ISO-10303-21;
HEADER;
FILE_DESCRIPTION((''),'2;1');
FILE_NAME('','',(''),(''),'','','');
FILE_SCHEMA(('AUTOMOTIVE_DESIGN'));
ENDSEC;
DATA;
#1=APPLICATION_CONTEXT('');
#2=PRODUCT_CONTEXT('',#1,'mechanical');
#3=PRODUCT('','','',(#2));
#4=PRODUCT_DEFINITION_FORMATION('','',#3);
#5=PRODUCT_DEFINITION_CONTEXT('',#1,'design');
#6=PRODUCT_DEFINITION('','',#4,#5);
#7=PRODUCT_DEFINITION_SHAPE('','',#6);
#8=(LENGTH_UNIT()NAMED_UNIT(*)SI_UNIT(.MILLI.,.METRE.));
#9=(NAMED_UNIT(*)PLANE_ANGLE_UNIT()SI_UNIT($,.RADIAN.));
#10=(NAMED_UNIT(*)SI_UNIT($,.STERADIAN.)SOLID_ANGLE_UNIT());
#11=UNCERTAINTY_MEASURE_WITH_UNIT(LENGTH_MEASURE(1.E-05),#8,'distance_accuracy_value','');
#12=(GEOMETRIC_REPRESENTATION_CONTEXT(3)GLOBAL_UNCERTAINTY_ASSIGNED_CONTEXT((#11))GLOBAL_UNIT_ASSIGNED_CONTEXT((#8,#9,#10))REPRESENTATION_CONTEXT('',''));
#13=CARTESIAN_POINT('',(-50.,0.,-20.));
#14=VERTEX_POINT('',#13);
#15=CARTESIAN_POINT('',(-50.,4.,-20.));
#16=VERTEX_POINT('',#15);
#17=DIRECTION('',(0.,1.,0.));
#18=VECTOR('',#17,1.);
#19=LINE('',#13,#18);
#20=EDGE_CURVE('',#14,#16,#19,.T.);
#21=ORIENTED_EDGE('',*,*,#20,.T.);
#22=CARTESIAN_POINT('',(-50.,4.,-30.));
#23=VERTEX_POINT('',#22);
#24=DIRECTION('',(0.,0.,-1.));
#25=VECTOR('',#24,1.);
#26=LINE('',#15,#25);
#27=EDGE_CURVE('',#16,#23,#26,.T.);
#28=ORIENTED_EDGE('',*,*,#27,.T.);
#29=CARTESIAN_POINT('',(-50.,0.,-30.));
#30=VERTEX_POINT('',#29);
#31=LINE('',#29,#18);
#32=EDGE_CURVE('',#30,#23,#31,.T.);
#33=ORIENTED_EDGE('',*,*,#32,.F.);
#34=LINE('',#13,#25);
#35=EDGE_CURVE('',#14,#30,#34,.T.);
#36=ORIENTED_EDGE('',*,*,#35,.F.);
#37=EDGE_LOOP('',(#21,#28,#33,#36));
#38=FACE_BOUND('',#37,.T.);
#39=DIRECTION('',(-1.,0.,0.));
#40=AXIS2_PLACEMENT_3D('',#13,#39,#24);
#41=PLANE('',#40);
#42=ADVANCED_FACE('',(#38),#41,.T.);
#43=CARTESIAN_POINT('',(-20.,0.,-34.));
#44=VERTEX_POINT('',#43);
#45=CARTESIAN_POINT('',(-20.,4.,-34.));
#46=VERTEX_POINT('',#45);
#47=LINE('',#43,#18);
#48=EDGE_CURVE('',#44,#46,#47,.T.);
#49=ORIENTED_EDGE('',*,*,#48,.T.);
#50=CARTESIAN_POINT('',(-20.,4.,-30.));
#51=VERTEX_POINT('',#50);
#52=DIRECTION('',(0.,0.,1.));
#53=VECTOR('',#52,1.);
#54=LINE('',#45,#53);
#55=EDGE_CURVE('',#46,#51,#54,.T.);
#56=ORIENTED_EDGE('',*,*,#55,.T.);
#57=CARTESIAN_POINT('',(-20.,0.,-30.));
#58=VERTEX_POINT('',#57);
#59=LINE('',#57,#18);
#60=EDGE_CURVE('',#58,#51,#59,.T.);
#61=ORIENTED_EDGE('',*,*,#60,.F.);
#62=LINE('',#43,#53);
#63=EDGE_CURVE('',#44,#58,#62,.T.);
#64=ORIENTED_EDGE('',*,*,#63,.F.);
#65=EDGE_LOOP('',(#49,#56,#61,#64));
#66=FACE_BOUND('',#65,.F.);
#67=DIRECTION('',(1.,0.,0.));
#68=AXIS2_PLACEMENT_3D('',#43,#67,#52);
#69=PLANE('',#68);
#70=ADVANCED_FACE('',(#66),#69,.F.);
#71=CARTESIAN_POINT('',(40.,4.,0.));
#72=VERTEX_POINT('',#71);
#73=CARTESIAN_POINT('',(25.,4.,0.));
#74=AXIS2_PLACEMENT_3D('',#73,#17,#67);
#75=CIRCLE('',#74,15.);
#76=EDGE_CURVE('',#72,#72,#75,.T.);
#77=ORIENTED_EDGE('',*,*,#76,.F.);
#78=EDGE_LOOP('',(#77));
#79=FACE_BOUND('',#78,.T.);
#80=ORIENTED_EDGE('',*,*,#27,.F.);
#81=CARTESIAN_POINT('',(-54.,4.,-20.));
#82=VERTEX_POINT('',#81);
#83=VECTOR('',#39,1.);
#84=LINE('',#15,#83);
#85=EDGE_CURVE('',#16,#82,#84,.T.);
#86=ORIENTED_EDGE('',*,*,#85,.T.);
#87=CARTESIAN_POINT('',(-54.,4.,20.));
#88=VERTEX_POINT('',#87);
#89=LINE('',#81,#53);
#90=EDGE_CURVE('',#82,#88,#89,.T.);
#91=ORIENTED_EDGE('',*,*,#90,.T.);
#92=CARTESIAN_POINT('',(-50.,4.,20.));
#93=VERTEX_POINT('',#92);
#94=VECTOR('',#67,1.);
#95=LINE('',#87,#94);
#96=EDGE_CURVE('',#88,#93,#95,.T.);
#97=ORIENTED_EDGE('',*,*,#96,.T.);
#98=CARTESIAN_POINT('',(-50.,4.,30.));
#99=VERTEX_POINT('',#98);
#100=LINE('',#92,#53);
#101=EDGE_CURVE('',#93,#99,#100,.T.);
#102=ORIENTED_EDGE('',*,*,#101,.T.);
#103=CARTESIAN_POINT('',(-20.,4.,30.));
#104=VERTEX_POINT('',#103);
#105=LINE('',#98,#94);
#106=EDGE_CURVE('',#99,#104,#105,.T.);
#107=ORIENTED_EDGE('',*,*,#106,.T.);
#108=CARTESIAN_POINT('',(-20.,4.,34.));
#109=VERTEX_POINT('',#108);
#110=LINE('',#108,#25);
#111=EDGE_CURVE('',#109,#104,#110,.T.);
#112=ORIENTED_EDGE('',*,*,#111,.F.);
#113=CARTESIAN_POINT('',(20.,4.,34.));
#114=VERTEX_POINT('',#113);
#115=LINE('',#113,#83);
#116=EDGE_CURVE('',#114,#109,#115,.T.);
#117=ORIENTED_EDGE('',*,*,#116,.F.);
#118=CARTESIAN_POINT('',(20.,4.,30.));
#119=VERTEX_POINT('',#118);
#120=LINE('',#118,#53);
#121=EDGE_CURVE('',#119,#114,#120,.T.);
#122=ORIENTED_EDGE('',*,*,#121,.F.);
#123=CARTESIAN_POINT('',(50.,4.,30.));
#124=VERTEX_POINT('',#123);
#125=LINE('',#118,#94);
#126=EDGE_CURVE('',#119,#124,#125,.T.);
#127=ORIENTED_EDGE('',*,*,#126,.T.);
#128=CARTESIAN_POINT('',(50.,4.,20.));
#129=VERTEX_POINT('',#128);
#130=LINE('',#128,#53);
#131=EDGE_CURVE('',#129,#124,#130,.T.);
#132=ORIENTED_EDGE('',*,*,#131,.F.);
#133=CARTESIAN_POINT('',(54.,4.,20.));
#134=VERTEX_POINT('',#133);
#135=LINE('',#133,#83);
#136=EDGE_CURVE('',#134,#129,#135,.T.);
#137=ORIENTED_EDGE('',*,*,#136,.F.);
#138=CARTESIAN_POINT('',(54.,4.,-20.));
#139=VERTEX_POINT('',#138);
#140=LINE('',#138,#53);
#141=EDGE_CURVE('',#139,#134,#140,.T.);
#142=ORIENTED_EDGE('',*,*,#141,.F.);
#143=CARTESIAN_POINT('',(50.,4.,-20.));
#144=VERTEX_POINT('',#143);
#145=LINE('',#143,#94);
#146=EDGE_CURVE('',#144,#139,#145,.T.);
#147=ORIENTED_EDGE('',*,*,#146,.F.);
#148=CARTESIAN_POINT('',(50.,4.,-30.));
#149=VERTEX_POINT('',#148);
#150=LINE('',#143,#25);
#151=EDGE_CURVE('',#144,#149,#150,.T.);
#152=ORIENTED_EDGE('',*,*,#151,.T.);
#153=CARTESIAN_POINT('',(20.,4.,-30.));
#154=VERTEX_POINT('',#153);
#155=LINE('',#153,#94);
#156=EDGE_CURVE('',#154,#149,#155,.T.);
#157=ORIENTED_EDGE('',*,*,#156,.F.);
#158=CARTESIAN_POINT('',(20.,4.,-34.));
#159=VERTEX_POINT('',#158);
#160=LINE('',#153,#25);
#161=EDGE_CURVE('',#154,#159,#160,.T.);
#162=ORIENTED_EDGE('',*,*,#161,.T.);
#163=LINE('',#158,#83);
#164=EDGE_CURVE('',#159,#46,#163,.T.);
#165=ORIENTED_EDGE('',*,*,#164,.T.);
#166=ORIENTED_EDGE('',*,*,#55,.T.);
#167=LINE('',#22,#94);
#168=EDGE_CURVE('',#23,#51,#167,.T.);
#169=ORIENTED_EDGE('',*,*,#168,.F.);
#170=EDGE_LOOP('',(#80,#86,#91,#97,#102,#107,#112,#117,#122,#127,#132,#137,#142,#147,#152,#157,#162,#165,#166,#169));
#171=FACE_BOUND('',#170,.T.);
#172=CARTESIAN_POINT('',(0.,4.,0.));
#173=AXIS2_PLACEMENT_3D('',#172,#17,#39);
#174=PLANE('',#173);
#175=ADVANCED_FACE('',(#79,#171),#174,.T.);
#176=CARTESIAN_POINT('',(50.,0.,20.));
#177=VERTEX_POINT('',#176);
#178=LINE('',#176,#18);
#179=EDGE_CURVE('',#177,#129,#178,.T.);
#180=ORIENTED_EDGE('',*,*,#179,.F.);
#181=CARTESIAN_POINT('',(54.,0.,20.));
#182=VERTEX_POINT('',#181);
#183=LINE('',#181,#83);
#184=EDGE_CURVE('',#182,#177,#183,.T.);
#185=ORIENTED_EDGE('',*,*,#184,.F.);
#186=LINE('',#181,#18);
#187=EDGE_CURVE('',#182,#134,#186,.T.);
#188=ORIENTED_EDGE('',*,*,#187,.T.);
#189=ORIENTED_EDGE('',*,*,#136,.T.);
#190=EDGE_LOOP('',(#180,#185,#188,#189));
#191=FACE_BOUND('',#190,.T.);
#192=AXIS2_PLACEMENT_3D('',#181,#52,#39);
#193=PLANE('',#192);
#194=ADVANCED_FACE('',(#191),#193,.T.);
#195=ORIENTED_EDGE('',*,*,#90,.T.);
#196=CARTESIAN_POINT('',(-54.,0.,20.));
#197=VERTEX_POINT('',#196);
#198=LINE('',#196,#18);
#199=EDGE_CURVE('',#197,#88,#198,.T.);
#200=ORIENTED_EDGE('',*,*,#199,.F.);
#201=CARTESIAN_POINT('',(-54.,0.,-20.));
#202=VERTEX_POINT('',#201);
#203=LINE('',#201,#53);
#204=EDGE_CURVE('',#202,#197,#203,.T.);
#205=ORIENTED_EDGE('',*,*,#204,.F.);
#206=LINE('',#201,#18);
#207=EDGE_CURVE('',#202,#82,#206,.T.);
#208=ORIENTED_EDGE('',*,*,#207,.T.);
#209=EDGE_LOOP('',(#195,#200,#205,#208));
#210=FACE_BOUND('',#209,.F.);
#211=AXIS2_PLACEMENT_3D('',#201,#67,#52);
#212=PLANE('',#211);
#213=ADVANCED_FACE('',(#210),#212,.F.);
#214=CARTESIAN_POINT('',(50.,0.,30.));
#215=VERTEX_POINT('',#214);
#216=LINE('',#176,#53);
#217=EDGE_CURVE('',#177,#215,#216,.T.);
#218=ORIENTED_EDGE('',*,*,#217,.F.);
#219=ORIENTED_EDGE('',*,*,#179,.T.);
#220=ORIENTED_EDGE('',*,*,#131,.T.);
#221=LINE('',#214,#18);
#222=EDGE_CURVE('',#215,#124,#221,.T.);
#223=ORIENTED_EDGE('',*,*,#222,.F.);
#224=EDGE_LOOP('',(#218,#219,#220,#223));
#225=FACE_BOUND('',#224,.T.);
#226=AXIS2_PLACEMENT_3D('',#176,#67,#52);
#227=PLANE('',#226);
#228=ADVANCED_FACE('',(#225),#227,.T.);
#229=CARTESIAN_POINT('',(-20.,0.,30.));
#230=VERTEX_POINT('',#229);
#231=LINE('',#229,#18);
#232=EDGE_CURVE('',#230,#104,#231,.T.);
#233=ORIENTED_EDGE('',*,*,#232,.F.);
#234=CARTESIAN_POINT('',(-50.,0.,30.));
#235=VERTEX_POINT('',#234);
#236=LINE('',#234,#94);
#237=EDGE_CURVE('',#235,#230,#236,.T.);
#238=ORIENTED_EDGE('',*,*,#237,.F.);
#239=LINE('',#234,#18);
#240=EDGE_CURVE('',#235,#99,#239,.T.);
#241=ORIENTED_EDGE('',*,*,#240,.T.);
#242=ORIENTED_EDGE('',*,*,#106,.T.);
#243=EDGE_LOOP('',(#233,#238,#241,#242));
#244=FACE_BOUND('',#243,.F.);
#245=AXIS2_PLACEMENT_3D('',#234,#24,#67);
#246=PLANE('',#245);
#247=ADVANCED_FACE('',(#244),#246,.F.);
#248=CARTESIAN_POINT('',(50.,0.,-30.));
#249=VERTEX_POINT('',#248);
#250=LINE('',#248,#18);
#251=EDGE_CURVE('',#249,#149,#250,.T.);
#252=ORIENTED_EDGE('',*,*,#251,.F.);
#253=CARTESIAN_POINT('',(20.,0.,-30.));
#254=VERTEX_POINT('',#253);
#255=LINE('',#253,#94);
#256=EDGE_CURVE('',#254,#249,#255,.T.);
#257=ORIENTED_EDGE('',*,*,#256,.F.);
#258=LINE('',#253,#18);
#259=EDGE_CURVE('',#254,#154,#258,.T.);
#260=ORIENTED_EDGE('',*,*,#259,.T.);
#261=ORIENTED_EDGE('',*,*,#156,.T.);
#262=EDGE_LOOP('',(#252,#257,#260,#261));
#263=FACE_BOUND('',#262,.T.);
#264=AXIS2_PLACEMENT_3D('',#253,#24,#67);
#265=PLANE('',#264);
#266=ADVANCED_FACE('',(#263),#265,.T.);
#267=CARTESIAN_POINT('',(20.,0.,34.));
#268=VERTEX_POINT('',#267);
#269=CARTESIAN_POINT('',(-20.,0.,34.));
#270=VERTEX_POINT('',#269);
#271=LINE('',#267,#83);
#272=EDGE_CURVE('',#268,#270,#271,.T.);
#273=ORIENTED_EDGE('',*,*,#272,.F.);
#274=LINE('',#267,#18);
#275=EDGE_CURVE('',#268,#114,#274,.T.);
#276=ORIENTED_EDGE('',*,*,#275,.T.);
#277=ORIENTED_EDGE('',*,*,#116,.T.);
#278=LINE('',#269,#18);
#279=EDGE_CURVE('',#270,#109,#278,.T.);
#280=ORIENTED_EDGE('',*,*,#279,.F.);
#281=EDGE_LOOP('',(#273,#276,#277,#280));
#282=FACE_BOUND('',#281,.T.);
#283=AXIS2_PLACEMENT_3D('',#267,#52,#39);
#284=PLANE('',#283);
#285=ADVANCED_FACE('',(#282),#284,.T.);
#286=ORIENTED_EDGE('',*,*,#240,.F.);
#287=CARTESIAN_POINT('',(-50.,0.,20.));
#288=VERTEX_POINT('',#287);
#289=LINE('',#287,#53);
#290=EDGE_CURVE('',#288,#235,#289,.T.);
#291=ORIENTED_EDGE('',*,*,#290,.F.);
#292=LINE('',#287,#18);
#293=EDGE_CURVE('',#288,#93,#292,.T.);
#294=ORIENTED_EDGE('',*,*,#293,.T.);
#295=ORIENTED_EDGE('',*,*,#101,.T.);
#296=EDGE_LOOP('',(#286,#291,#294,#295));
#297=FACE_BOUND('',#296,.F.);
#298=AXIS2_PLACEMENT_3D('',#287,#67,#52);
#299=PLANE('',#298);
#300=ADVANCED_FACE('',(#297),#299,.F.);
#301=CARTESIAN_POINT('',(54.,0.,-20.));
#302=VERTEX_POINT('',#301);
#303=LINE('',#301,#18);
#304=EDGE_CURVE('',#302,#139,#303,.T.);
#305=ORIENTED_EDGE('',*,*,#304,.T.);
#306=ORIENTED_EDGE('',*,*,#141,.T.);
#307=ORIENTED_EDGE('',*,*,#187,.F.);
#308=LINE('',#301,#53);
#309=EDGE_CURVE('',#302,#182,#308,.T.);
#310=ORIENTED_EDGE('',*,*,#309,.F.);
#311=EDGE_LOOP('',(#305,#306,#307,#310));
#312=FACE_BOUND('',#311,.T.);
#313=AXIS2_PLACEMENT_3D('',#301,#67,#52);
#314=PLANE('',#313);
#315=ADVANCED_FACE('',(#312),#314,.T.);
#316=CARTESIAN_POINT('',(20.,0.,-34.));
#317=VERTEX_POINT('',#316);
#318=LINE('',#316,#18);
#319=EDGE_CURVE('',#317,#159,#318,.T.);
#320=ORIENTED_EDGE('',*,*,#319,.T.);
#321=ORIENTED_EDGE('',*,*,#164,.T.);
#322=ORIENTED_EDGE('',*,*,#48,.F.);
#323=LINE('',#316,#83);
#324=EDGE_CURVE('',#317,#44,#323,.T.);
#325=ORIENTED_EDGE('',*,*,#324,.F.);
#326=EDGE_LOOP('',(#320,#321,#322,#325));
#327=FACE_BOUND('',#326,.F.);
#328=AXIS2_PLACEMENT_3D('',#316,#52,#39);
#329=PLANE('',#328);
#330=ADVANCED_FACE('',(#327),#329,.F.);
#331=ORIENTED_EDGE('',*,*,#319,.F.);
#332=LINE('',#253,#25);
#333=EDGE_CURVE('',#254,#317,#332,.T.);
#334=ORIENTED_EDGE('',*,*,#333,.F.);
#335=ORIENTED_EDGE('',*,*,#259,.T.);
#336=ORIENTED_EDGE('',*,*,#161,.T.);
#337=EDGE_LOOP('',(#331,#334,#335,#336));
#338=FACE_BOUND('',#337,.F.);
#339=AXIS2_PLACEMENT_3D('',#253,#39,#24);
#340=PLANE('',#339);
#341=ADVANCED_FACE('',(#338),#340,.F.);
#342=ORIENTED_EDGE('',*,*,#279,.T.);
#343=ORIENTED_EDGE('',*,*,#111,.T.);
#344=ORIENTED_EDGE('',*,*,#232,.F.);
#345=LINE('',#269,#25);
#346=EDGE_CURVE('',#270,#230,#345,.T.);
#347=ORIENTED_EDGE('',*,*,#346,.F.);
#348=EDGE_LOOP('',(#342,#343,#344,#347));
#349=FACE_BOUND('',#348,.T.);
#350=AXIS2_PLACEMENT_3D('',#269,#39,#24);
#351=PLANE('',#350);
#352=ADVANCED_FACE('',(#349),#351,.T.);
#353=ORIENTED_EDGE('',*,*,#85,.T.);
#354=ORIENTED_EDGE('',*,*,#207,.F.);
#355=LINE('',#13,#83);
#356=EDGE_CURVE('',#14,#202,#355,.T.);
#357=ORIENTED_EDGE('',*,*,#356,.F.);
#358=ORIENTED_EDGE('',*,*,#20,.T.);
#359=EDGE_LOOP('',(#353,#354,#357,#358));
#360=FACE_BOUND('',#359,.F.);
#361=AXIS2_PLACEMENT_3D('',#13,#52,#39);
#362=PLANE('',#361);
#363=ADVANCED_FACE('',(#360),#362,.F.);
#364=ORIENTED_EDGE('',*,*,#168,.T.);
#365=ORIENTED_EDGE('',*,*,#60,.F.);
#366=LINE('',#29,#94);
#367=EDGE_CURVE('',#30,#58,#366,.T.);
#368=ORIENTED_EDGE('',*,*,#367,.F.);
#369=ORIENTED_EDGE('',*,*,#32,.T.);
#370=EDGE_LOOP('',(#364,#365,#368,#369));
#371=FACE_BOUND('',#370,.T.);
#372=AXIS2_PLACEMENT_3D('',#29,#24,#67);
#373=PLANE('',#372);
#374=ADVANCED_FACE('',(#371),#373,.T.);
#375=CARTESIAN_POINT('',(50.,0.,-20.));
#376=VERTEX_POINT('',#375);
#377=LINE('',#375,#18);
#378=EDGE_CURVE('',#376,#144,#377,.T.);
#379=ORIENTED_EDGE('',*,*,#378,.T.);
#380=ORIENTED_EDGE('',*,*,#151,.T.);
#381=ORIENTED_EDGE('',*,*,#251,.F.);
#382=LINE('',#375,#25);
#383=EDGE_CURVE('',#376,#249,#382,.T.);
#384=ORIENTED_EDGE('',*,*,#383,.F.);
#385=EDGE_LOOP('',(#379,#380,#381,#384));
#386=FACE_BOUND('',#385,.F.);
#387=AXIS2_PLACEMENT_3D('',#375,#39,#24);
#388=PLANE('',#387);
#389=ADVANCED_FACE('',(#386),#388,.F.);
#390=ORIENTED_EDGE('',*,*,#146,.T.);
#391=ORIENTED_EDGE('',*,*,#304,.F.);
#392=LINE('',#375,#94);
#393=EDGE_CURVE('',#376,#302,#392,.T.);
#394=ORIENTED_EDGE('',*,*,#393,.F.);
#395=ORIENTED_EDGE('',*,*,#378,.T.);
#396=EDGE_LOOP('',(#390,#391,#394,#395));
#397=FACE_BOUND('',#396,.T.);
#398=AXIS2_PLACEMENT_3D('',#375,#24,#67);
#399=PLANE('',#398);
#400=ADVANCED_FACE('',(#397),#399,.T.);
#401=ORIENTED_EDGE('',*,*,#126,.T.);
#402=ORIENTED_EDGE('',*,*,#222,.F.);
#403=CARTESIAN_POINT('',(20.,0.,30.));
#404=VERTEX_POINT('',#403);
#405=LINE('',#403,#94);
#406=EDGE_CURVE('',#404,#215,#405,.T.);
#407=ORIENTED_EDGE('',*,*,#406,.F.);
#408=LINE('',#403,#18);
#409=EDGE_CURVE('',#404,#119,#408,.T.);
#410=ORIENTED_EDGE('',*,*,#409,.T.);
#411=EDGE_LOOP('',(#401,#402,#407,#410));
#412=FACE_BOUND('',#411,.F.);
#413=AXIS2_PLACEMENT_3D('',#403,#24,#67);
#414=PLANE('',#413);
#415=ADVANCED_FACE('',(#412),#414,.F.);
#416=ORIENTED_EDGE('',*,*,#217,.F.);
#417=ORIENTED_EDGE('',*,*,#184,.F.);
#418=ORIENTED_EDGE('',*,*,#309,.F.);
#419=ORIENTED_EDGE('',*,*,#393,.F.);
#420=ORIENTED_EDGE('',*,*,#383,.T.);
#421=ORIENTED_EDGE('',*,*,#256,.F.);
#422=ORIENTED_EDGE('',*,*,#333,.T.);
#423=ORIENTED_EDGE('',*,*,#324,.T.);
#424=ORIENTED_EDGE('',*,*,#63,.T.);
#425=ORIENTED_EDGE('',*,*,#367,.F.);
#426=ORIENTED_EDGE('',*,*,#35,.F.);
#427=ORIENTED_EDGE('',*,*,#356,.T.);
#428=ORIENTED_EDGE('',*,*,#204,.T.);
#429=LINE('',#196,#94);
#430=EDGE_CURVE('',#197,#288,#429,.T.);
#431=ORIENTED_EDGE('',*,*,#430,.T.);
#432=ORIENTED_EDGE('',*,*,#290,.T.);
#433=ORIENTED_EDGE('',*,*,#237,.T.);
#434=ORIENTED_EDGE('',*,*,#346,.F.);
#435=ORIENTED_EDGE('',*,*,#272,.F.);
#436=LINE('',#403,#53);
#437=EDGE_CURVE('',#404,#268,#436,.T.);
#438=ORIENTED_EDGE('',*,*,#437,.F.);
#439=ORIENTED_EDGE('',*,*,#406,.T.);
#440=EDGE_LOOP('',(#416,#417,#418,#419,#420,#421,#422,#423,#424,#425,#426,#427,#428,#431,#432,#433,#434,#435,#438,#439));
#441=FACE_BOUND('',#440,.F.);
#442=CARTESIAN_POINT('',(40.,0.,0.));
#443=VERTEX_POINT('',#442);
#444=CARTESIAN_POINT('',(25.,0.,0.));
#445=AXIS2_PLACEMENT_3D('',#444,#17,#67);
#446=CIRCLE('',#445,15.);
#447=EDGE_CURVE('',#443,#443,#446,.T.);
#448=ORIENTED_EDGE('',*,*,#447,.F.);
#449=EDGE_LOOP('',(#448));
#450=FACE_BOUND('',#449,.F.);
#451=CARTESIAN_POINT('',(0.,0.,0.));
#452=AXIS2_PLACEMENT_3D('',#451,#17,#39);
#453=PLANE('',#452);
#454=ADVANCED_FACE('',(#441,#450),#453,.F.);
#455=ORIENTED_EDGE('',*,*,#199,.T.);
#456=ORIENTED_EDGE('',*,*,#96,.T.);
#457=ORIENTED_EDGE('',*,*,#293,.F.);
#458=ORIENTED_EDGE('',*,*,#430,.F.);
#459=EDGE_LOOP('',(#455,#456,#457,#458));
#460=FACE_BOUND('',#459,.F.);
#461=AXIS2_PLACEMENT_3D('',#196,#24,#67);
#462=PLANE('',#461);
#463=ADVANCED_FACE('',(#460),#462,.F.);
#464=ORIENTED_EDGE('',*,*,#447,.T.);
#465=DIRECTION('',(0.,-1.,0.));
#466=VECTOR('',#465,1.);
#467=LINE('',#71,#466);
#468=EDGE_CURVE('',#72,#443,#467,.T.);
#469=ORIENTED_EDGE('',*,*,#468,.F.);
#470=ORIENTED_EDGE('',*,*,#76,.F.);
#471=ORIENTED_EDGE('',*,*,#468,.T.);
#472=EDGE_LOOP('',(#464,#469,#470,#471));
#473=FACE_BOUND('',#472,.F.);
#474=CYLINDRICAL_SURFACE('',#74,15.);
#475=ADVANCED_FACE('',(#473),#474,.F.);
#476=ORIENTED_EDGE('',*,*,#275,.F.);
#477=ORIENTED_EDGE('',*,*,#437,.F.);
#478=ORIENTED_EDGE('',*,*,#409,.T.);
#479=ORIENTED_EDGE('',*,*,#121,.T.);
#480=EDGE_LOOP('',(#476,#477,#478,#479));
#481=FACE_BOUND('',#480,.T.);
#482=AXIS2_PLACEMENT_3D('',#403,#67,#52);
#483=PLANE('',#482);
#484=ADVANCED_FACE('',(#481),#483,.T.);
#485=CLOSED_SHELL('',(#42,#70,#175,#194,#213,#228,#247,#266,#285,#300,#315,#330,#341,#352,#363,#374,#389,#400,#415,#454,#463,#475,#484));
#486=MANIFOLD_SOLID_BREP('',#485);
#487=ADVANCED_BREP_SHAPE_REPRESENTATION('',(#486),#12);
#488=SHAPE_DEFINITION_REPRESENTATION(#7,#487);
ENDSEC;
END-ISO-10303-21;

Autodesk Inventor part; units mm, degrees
ref_plane "YZ Plane" through (0, 0, 0) normal (1, 0, 0) x (0, 1, 0)
ref_plane "XZ Plane" through (0, 0, 0) normal (0, 1, 0) x (-1, 0, 0)
ref_plane "XY Plane" through (0, 0, 0) normal (0, 0, 1) x (1, 0, 0)
sketch "Sketch1" plane through (0, 0, 0) normal (0, 1, 0) x (-1, 0, 0)
  line L0 (50, 30) -> (-50, 30) construction
  line L1 (-50, 30) -> (-50, -30) construction
  line L2 (-50, -30) -> (50, -30) construction
  line L3 (50, -30) -> (50, 30) construction
  line L4 (20, 30) -> (-20, 30) construction
  line L5 (-20, 30) -> (-20, 34)
  line L6 (-20, 34) -> (20, 34)
  line L7 (20, 34) -> (20, 30)
  line L8 (20, -30) -> (-20, -30) construction
  line L9 (-20, -30) -> (-20, -34)
  line L10 (-20, -34) -> (20, -34)
  line L11 (20, -34) -> (20, -30)
  line L12 (-50, -20) -> (-54, -20)
  line L13 (-54, -20) -> (-54, 20)
  line L14 (-54, 20) -> (-50, 20)
  line L15 (-50, 20) -> (-50, -20) construction
  line L16 (50, -20) -> (54, -20)
  line L17 (54, -20) -> (54, 20)
  line L18 (54, 20) -> (50, 20)
  line L19 (50, 20) -> (50, -20) construction
  line L20 (50, -20) -> (50, -30)
  line L21 (50, -30) -> (20, -30)
  line L22 (-20, -30) -> (-50, -30)
  line L23 (-50, -20) -> (-50, -30)
  line L24 (-50, 20) -> (-50, 30)
  line L25 (-20, 30) -> (-50, 30)
  line L26 (50, 20) -> (50, 30)
  line L27 (50, 30) -> (20, 30)
  point P0 (0, 0)
  point P1 (52, -20)
  point P2 (-52, 20)
  point P3 (52, 20)
  point P4 (0, -30)
  point P5 (0, 30)
  point P6 (50, 0)
  point P7 (-50, 0)
  point P8 (0, -30)
  point P9 (50, 0)
  dimension "d0" = 40
  dimension "d1" = 4
  dimension "d2" = 100
  dimension "d3" = 60
extrude "Extrusion1" add sketch "Sketch1" along normal blind 4
sketch "Sketch2" plane through (0, 4, 0) normal (0, 1, 0) x (1, 0, 0)
  circle A0 centre (25, 0) radius 15
  line L0 (50, 20) -> (50, 30) projected
  point P0 (0, 0)
  dimension "d6" = 30
  dimension "d7" = 10
extrude "Extrusion2" cut sketch "Sketch2" against normal blind 4
properties part number "SideMale_100wx60h_V1" material "Wood (Oak)"
